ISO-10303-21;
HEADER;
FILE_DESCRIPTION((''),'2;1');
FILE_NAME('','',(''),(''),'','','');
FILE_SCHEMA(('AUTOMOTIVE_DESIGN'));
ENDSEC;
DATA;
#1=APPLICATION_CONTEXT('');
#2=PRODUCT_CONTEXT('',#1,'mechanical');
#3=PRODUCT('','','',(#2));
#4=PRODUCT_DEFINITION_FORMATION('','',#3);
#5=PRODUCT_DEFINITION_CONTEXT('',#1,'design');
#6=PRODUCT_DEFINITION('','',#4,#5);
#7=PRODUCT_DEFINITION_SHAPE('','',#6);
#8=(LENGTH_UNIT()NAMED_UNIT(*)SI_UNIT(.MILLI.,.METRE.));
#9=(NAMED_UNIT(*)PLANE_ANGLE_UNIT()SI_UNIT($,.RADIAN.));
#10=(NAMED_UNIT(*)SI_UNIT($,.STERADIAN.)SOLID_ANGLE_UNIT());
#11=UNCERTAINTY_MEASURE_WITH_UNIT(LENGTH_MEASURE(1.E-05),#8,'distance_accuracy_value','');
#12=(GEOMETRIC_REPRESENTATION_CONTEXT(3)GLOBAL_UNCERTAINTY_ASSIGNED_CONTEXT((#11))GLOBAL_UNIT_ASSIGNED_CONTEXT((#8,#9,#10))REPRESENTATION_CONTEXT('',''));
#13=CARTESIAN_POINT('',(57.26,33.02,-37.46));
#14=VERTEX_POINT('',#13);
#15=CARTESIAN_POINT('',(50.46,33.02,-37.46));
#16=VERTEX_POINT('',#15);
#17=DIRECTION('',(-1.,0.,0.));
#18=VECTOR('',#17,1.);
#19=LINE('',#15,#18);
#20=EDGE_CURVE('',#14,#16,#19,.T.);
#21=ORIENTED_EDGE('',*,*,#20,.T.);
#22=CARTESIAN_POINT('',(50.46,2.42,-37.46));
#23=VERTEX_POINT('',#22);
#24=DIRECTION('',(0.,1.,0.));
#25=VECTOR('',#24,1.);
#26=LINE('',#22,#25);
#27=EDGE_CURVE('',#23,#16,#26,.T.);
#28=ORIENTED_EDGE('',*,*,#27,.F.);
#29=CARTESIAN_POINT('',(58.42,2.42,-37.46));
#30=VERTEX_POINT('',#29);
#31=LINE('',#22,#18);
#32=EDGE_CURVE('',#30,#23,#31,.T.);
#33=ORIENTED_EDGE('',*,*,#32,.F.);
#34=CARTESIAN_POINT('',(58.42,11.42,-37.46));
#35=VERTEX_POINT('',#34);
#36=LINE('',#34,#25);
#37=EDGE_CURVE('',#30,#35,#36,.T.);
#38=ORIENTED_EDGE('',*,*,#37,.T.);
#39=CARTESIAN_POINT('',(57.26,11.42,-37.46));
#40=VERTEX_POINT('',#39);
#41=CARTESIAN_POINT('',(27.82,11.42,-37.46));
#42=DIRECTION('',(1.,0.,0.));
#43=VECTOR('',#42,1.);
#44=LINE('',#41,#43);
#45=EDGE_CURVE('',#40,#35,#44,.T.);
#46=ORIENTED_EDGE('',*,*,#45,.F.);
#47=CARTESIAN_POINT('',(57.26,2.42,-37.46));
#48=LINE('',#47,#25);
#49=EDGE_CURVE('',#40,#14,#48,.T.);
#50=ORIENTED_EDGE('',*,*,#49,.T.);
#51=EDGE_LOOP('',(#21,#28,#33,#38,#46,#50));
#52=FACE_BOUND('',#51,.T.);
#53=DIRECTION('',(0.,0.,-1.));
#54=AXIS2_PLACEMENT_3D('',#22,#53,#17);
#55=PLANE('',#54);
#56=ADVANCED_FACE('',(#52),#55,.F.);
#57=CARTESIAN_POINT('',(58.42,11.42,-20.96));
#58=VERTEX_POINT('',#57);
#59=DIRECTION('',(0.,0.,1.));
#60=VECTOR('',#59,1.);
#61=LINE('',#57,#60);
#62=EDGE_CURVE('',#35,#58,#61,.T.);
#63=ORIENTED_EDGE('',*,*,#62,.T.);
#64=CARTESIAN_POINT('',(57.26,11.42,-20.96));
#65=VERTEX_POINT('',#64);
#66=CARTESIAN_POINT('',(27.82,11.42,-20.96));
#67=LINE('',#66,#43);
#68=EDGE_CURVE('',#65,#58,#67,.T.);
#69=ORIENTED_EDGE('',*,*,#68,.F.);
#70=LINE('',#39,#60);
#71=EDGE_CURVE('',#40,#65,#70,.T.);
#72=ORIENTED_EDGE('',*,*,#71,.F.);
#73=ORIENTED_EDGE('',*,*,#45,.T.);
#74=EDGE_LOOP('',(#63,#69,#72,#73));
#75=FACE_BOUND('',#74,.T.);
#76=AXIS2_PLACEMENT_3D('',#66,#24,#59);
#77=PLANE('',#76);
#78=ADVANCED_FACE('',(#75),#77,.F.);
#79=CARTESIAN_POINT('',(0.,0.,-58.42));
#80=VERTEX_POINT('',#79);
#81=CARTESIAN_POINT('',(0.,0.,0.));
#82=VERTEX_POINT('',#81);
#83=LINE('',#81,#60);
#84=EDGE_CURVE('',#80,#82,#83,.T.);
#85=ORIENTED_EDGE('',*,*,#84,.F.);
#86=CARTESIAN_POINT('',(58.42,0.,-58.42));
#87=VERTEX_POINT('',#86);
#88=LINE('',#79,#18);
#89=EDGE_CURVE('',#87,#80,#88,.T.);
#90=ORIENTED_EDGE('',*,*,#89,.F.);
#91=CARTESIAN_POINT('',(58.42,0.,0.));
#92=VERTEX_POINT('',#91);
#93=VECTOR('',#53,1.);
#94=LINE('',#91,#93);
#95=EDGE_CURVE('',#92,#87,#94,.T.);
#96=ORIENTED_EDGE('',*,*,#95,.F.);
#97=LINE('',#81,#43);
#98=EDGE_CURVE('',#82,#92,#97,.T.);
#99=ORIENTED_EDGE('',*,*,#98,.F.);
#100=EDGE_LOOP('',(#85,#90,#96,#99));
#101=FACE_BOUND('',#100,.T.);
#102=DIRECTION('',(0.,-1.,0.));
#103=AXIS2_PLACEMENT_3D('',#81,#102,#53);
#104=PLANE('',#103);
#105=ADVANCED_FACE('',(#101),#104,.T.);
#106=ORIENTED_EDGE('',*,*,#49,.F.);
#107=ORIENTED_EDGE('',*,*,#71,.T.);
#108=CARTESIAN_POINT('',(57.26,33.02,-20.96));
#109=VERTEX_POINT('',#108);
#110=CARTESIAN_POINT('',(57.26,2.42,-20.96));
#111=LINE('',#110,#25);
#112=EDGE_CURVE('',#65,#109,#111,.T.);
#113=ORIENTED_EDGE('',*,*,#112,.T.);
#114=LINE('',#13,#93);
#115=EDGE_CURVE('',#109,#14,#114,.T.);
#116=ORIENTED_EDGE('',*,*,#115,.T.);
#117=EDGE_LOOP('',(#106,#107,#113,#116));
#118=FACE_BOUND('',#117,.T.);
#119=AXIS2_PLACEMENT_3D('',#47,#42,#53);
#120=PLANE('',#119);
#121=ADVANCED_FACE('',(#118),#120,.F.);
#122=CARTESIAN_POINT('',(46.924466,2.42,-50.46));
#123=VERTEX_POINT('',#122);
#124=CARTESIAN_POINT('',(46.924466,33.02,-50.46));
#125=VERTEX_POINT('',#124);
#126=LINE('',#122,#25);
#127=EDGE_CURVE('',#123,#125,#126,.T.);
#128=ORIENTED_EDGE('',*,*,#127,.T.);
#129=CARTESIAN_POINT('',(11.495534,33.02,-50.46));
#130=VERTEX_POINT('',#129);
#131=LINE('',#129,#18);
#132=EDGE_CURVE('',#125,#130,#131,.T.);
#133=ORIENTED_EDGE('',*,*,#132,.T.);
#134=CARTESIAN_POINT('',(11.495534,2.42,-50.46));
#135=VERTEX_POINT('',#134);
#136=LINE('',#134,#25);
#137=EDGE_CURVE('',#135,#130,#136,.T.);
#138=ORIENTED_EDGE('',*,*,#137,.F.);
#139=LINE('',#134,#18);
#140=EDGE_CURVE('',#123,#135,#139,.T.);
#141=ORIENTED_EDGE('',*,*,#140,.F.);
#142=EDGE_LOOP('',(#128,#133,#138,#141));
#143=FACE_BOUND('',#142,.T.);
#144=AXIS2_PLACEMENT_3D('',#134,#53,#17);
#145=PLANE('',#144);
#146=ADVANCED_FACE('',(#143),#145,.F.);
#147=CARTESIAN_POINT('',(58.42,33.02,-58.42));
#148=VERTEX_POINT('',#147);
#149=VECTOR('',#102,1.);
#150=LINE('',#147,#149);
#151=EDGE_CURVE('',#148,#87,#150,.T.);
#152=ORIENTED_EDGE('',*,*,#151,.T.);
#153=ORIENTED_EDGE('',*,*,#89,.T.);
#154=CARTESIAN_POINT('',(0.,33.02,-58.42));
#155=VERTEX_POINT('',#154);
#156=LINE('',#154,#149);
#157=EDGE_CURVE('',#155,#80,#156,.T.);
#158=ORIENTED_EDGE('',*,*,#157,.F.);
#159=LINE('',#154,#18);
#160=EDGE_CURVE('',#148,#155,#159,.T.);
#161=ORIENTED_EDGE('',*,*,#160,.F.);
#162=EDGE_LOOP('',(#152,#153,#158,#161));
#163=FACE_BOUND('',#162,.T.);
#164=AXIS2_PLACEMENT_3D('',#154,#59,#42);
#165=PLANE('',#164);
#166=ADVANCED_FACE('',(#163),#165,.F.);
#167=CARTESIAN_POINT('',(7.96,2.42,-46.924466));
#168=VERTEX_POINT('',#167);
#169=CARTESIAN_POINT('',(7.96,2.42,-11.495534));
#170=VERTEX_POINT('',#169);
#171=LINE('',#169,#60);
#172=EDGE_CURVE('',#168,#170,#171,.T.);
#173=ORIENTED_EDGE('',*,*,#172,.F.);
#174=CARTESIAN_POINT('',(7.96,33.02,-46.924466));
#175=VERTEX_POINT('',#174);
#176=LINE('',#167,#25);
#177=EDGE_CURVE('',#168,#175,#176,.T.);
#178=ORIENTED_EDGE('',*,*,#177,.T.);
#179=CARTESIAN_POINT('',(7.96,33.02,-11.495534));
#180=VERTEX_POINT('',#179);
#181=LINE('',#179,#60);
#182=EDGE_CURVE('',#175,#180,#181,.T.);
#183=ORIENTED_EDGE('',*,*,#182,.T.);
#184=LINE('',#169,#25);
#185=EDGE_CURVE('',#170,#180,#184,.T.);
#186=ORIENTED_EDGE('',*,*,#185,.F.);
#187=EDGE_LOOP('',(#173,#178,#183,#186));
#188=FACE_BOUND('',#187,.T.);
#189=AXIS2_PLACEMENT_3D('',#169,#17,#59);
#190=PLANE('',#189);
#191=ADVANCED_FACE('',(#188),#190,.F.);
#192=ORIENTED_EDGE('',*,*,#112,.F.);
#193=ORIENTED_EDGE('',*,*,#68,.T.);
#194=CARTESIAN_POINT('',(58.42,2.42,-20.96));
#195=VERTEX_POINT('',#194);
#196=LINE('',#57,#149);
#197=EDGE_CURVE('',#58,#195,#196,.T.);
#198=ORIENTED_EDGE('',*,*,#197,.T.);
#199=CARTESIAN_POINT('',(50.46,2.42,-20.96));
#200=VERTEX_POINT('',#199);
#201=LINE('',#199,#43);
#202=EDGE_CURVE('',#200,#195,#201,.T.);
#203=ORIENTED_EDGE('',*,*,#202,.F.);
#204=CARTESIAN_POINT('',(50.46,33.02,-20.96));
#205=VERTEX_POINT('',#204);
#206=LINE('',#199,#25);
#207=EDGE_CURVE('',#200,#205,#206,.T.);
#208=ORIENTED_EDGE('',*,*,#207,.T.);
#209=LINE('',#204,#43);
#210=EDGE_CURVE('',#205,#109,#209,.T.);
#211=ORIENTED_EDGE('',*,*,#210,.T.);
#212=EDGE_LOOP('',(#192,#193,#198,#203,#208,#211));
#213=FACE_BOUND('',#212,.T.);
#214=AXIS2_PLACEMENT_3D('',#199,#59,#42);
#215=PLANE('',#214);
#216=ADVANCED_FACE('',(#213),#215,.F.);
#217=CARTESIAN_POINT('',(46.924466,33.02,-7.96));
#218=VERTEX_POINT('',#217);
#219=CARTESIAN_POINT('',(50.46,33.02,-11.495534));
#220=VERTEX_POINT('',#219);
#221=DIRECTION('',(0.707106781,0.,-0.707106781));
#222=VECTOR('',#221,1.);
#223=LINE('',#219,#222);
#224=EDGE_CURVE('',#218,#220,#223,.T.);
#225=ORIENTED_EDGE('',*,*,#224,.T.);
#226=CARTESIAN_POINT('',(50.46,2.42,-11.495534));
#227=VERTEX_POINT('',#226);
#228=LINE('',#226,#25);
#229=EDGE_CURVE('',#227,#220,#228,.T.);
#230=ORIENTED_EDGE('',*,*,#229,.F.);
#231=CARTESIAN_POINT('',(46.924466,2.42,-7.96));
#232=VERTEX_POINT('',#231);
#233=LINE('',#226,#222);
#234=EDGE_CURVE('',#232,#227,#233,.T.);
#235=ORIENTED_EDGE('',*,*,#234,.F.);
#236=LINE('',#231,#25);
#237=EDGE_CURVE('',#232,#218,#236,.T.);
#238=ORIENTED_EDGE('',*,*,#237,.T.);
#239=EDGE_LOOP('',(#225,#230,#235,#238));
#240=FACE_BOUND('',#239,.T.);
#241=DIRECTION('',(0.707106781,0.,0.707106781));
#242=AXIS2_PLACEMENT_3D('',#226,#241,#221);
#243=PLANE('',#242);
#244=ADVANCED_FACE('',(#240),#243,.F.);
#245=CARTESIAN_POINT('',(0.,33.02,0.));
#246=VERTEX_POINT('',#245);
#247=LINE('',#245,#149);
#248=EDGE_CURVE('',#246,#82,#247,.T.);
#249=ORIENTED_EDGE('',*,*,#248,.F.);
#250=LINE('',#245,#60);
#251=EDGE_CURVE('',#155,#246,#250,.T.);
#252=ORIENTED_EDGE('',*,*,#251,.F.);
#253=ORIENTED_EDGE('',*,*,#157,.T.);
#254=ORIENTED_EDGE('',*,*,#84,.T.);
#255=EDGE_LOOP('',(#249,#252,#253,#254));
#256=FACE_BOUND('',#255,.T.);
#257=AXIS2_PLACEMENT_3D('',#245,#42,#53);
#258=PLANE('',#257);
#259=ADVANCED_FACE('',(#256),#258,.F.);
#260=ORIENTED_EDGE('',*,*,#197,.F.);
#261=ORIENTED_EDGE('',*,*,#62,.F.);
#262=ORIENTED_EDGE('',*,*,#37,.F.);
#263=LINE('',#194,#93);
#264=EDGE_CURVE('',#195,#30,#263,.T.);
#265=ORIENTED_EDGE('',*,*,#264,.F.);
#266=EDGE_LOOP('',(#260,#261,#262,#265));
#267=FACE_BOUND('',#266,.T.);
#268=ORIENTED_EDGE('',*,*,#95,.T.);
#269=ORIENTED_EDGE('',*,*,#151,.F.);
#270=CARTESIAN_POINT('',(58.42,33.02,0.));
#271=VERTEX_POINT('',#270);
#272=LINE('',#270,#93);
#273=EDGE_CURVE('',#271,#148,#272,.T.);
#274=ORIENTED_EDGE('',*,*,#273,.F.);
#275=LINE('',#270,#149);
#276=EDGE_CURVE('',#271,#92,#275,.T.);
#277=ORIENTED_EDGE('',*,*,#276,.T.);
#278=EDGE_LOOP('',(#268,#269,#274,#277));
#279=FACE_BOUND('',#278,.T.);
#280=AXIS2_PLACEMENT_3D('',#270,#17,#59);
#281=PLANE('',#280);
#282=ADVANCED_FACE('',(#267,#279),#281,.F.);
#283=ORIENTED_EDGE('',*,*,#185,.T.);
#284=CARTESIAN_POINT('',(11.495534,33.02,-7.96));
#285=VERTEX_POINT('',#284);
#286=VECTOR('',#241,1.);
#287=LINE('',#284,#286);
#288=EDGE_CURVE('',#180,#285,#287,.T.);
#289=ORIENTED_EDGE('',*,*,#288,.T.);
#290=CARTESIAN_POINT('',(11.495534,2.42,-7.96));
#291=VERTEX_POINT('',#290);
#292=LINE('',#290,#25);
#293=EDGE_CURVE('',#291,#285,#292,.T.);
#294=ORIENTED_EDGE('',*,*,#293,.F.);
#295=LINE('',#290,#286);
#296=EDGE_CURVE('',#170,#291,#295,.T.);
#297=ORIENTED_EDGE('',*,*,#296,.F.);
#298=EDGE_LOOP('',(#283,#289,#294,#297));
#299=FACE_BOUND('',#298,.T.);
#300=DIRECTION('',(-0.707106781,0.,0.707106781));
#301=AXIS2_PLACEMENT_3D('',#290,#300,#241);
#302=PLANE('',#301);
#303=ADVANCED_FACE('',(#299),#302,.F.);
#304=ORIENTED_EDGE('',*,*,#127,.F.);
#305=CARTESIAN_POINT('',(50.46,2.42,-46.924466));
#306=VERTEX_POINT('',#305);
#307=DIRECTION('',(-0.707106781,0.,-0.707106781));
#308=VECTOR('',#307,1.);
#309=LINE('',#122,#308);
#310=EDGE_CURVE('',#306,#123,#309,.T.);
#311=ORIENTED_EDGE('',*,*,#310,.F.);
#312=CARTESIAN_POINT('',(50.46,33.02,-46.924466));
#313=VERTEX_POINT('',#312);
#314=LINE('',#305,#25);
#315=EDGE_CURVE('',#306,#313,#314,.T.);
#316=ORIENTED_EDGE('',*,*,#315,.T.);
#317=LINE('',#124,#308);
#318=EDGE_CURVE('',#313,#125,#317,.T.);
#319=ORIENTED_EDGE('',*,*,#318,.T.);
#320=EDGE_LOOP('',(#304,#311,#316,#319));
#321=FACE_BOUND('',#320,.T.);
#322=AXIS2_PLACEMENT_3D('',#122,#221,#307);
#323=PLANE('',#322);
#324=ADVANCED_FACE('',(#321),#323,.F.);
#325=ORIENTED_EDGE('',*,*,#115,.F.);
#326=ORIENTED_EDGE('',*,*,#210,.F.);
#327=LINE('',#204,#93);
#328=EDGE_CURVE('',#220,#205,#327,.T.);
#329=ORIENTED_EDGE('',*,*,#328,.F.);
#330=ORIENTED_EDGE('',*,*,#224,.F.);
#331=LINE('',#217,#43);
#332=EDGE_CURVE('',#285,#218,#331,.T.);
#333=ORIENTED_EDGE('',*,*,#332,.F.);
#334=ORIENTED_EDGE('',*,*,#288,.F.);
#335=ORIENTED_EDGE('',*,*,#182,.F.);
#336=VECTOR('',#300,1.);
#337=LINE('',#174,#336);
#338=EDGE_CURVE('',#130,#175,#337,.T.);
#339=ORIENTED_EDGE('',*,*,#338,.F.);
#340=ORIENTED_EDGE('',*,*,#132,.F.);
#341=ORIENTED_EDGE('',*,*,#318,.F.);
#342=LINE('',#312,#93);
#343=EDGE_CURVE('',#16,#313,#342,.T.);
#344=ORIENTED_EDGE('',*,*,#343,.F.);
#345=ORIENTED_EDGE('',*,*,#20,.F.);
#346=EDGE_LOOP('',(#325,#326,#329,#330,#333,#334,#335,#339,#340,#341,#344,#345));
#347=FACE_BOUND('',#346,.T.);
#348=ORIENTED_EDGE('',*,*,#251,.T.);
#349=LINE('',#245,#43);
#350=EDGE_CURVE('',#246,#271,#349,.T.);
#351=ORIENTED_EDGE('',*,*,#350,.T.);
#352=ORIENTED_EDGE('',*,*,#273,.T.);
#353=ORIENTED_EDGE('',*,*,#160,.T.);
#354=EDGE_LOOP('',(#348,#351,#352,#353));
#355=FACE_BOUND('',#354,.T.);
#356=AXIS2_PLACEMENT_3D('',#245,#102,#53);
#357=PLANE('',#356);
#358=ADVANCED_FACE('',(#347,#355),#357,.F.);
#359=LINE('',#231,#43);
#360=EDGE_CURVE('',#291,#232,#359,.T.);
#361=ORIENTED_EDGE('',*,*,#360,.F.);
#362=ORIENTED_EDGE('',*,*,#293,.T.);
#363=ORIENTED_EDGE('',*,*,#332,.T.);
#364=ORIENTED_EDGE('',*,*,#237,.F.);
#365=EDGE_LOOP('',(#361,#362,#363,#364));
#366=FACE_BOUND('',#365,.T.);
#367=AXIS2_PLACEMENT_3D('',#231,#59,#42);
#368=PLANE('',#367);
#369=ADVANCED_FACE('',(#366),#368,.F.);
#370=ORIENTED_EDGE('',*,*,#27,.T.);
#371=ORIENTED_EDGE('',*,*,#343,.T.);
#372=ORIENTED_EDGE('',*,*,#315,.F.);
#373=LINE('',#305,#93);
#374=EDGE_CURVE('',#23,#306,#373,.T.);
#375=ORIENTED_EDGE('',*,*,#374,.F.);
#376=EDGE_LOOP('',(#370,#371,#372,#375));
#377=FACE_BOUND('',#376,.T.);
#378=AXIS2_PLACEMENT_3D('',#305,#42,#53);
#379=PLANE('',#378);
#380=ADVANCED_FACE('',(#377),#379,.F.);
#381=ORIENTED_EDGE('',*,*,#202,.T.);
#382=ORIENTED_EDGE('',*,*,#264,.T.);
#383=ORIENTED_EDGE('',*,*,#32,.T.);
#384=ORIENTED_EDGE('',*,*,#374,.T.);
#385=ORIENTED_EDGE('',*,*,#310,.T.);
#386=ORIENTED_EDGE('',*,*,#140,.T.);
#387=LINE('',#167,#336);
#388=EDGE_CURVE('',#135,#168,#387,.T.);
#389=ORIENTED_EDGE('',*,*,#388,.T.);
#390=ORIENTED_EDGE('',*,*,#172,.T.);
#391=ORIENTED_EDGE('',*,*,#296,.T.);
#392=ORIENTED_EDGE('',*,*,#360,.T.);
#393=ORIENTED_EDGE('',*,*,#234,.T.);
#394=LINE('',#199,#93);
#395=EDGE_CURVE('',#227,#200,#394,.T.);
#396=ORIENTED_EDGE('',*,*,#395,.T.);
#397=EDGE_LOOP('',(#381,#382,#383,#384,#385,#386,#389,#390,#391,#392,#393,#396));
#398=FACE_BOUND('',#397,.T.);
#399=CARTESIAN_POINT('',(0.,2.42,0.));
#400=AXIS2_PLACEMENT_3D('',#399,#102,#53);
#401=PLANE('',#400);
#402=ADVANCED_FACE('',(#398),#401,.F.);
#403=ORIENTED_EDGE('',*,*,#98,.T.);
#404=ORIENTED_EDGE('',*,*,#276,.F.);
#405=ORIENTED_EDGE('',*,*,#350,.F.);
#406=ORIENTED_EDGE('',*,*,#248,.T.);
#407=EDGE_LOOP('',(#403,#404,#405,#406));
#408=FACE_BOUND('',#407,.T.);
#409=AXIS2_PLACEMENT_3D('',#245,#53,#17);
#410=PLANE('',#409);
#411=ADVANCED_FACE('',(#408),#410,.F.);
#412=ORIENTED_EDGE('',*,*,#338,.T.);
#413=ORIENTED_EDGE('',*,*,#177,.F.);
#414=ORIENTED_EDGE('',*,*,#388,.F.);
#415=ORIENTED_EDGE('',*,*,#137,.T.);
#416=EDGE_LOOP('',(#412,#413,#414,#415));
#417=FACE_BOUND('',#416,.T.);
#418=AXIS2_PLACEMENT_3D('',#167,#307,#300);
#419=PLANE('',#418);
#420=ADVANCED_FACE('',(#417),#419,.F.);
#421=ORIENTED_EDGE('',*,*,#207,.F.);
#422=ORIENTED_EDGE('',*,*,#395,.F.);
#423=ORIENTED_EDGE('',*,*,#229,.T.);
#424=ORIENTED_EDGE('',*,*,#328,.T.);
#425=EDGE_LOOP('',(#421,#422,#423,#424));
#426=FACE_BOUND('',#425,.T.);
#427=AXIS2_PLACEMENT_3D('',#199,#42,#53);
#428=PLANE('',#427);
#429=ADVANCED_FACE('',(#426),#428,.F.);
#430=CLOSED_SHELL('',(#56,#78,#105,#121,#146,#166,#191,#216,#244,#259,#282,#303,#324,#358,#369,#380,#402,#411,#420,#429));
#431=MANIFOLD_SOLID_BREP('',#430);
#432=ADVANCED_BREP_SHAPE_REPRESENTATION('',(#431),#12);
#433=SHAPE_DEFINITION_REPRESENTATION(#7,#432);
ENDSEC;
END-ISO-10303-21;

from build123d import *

# Parameters (mm, degrees)
SKETCH1_W           = 58.42
SKETCH1_H           = 58.42
BOSS_EXTRUDE1_DEPTH = 33.02
CUT_EXTRUDE1_DEPTH  = 30.600000014
SKETCH3_W           = 16.5
SKETCH3_H           = 9
CUT_EXTRUDE2_DEPTH  = 30.600000014


with BuildPart() as part:
    # Sketch1 → Boss-Extrude1 (new body)
    with BuildSketch(Plane(origin=(0, 0, 0), x_dir=(1, 0, 0), z_dir=(0, 1, 0))):
        with Locations((29.21, 29.21)):
            Rectangle(SKETCH1_W, SKETCH1_H)
    extrude(amount=BOSS_EXTRUDE1_DEPTH)

    # Sketch2 → Cut-Extrude1 (cut)
    with BuildSketch(Plane(origin=(0, 33.02, 0), x_dir=(1, 0, 0), z_dir=(0, 1, 0))):
        Polygon((11.495533906, 50.46), (46.924466094, 50.46), (50.46, 46.924466094), (50.46, 37.46), (57.26, 37.46), (57.26, 20.96), (50.46, 20.96), (50.46, 11.495533906), (46.924466094, 7.96), (11.495533906, 7.96), (7.96, 11.495533906), (7.96, 46.924466094), align=None)
    extrude(amount=-CUT_EXTRUDE1_DEPTH, mode=Mode.SUBTRACT)

    # Sketch3 → Cut-Extrude2 (cut)
    with BuildSketch(Plane(origin=(58.42, 0, 0), x_dir=(0, 0, -1), z_dir=(1, 0, 0))):
        with Locations((29.21, 6.919999986)):
            Rectangle(SKETCH3_W, SKETCH3_H)
    extrude(amount=-CUT_EXTRUDE2_DEPTH, mode=Mode.SUBTRACT)


solid = part.part
